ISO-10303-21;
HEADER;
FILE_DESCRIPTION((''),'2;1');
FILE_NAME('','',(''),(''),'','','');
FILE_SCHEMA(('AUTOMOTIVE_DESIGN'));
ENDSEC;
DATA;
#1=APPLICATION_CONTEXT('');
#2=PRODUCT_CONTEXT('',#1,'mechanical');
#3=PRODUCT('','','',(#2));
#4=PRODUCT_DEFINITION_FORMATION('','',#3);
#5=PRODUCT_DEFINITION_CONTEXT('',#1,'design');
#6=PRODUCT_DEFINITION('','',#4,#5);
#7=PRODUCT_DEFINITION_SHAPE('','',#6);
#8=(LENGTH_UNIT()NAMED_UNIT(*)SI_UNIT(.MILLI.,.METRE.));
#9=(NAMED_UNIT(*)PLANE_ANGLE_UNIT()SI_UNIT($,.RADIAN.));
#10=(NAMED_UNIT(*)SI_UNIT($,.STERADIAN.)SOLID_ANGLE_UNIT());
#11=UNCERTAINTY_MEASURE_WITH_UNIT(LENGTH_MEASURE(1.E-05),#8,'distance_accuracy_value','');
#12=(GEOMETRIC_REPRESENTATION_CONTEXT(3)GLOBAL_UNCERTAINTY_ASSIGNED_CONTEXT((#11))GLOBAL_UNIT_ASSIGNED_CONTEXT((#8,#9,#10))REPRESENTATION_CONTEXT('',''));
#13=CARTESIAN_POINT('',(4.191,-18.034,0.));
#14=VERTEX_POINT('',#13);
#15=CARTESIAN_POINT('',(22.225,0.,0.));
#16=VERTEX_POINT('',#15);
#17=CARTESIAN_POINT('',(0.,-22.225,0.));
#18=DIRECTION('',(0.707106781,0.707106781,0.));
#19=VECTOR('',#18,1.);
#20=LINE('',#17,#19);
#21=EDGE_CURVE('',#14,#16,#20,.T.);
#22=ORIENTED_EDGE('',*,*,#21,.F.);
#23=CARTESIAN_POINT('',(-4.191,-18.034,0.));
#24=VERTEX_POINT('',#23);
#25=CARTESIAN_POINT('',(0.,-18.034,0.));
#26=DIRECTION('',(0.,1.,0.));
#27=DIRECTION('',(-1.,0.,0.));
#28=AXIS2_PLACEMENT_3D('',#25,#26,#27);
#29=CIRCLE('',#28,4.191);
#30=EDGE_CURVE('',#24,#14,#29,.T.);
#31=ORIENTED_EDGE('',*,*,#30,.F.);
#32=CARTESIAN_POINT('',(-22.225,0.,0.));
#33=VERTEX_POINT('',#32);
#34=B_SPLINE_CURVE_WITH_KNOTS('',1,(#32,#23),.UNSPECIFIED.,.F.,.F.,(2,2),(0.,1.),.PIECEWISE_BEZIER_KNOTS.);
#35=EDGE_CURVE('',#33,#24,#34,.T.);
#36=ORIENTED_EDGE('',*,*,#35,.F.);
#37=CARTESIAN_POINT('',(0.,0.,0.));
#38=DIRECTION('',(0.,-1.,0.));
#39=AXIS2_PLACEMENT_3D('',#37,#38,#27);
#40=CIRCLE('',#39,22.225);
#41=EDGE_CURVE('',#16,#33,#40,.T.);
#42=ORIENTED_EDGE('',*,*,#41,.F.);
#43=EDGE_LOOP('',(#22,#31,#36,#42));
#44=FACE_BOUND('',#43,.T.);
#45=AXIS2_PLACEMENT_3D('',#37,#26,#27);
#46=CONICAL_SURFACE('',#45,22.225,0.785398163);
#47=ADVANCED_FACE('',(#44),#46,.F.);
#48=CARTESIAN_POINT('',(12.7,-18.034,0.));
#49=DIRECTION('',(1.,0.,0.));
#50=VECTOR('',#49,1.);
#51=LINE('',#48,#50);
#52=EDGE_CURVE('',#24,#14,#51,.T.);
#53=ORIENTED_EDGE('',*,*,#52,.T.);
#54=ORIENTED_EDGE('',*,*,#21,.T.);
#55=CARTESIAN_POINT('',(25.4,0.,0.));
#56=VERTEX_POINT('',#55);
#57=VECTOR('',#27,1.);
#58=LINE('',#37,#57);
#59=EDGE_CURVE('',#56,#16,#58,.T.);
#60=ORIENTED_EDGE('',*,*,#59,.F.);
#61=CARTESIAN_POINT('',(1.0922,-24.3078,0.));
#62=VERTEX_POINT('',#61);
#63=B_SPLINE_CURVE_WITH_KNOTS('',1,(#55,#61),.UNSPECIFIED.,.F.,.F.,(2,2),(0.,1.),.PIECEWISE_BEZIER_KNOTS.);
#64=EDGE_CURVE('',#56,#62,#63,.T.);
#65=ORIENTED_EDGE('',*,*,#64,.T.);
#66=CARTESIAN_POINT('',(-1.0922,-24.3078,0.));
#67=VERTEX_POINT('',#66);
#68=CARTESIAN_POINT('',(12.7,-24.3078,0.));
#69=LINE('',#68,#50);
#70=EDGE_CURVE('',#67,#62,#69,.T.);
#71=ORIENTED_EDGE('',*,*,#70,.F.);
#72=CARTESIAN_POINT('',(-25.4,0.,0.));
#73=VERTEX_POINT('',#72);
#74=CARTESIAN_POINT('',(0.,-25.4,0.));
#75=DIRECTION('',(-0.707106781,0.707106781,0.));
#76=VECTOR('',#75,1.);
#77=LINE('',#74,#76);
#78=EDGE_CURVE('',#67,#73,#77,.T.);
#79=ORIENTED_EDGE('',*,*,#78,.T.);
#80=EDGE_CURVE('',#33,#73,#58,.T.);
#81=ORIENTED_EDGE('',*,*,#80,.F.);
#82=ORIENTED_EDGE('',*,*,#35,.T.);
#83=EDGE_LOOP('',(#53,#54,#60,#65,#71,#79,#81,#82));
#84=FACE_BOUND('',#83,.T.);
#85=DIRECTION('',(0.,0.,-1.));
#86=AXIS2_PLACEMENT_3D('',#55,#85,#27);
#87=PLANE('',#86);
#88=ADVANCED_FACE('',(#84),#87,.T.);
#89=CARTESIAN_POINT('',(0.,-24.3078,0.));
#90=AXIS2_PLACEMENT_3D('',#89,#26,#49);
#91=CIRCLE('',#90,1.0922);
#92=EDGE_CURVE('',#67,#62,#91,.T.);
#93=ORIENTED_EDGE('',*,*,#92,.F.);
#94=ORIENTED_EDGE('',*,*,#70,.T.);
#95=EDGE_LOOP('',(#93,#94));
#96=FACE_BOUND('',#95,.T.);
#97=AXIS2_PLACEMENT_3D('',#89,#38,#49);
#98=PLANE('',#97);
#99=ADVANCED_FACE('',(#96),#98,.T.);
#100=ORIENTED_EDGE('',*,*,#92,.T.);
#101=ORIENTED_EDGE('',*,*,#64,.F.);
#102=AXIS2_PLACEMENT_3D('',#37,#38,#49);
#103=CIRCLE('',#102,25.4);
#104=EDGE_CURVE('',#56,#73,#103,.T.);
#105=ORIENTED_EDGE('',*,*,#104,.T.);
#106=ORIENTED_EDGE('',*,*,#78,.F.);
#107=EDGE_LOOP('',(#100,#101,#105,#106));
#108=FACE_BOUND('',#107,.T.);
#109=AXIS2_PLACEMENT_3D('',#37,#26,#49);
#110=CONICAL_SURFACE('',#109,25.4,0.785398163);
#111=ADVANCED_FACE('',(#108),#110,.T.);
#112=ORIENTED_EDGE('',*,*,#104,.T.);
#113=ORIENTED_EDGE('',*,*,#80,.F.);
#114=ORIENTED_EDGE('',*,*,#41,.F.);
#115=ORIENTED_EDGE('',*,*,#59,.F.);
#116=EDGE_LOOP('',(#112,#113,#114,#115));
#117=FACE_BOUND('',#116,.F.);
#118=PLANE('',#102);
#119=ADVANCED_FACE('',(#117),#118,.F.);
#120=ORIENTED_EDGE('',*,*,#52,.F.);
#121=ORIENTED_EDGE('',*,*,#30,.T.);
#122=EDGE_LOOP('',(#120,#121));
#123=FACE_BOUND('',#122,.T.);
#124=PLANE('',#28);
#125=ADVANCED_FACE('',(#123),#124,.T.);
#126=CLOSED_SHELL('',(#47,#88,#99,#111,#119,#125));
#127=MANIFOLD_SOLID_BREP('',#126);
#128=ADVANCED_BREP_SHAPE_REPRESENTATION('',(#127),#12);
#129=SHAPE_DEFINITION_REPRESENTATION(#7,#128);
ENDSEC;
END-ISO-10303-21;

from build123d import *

# Parameters (mm, degrees)
F0_R     = 25.4
F1_DEPTH = 24.3078
F1_TAPER = 45
F3_W     = 50.8
F3_H     = 26.1644069105
F4_DEPTH = 28.448
F2_R     = 22.225
F5_DEPTH = 18.034
F5_TAPER = 45


with BuildPart() as f1:
    # F0 (on Front) → F1 (new body)
    with BuildSketch(Plane.XZ):
        Circle(F0_R)
    extrude(amount=F1_DEPTH, taper=F1_TAPER)

    # F3 (on face) → F4 (cut)
    with BuildSketch(Plane(origin=(0, 0, 0), x_dir=(-1, 0, 0), z_dir=(0, 1, 0))):
        with Locations((0, -13.0822034553)):
            Rectangle(F3_W, F3_H)
    extrude(amount=-F4_DEPTH, mode=Mode.SUBTRACT)

    # F2 (on face) → F5 (cut)
    with BuildSketch(Plane(origin=(0, 0, 0), x_dir=(-1, 0, 0), z_dir=(0, 1, 0))):
        Circle(F2_R)
    extrude(amount=-F5_DEPTH, taper=F5_TAPER, mode=Mode.SUBTRACT)


solid = f1.part
